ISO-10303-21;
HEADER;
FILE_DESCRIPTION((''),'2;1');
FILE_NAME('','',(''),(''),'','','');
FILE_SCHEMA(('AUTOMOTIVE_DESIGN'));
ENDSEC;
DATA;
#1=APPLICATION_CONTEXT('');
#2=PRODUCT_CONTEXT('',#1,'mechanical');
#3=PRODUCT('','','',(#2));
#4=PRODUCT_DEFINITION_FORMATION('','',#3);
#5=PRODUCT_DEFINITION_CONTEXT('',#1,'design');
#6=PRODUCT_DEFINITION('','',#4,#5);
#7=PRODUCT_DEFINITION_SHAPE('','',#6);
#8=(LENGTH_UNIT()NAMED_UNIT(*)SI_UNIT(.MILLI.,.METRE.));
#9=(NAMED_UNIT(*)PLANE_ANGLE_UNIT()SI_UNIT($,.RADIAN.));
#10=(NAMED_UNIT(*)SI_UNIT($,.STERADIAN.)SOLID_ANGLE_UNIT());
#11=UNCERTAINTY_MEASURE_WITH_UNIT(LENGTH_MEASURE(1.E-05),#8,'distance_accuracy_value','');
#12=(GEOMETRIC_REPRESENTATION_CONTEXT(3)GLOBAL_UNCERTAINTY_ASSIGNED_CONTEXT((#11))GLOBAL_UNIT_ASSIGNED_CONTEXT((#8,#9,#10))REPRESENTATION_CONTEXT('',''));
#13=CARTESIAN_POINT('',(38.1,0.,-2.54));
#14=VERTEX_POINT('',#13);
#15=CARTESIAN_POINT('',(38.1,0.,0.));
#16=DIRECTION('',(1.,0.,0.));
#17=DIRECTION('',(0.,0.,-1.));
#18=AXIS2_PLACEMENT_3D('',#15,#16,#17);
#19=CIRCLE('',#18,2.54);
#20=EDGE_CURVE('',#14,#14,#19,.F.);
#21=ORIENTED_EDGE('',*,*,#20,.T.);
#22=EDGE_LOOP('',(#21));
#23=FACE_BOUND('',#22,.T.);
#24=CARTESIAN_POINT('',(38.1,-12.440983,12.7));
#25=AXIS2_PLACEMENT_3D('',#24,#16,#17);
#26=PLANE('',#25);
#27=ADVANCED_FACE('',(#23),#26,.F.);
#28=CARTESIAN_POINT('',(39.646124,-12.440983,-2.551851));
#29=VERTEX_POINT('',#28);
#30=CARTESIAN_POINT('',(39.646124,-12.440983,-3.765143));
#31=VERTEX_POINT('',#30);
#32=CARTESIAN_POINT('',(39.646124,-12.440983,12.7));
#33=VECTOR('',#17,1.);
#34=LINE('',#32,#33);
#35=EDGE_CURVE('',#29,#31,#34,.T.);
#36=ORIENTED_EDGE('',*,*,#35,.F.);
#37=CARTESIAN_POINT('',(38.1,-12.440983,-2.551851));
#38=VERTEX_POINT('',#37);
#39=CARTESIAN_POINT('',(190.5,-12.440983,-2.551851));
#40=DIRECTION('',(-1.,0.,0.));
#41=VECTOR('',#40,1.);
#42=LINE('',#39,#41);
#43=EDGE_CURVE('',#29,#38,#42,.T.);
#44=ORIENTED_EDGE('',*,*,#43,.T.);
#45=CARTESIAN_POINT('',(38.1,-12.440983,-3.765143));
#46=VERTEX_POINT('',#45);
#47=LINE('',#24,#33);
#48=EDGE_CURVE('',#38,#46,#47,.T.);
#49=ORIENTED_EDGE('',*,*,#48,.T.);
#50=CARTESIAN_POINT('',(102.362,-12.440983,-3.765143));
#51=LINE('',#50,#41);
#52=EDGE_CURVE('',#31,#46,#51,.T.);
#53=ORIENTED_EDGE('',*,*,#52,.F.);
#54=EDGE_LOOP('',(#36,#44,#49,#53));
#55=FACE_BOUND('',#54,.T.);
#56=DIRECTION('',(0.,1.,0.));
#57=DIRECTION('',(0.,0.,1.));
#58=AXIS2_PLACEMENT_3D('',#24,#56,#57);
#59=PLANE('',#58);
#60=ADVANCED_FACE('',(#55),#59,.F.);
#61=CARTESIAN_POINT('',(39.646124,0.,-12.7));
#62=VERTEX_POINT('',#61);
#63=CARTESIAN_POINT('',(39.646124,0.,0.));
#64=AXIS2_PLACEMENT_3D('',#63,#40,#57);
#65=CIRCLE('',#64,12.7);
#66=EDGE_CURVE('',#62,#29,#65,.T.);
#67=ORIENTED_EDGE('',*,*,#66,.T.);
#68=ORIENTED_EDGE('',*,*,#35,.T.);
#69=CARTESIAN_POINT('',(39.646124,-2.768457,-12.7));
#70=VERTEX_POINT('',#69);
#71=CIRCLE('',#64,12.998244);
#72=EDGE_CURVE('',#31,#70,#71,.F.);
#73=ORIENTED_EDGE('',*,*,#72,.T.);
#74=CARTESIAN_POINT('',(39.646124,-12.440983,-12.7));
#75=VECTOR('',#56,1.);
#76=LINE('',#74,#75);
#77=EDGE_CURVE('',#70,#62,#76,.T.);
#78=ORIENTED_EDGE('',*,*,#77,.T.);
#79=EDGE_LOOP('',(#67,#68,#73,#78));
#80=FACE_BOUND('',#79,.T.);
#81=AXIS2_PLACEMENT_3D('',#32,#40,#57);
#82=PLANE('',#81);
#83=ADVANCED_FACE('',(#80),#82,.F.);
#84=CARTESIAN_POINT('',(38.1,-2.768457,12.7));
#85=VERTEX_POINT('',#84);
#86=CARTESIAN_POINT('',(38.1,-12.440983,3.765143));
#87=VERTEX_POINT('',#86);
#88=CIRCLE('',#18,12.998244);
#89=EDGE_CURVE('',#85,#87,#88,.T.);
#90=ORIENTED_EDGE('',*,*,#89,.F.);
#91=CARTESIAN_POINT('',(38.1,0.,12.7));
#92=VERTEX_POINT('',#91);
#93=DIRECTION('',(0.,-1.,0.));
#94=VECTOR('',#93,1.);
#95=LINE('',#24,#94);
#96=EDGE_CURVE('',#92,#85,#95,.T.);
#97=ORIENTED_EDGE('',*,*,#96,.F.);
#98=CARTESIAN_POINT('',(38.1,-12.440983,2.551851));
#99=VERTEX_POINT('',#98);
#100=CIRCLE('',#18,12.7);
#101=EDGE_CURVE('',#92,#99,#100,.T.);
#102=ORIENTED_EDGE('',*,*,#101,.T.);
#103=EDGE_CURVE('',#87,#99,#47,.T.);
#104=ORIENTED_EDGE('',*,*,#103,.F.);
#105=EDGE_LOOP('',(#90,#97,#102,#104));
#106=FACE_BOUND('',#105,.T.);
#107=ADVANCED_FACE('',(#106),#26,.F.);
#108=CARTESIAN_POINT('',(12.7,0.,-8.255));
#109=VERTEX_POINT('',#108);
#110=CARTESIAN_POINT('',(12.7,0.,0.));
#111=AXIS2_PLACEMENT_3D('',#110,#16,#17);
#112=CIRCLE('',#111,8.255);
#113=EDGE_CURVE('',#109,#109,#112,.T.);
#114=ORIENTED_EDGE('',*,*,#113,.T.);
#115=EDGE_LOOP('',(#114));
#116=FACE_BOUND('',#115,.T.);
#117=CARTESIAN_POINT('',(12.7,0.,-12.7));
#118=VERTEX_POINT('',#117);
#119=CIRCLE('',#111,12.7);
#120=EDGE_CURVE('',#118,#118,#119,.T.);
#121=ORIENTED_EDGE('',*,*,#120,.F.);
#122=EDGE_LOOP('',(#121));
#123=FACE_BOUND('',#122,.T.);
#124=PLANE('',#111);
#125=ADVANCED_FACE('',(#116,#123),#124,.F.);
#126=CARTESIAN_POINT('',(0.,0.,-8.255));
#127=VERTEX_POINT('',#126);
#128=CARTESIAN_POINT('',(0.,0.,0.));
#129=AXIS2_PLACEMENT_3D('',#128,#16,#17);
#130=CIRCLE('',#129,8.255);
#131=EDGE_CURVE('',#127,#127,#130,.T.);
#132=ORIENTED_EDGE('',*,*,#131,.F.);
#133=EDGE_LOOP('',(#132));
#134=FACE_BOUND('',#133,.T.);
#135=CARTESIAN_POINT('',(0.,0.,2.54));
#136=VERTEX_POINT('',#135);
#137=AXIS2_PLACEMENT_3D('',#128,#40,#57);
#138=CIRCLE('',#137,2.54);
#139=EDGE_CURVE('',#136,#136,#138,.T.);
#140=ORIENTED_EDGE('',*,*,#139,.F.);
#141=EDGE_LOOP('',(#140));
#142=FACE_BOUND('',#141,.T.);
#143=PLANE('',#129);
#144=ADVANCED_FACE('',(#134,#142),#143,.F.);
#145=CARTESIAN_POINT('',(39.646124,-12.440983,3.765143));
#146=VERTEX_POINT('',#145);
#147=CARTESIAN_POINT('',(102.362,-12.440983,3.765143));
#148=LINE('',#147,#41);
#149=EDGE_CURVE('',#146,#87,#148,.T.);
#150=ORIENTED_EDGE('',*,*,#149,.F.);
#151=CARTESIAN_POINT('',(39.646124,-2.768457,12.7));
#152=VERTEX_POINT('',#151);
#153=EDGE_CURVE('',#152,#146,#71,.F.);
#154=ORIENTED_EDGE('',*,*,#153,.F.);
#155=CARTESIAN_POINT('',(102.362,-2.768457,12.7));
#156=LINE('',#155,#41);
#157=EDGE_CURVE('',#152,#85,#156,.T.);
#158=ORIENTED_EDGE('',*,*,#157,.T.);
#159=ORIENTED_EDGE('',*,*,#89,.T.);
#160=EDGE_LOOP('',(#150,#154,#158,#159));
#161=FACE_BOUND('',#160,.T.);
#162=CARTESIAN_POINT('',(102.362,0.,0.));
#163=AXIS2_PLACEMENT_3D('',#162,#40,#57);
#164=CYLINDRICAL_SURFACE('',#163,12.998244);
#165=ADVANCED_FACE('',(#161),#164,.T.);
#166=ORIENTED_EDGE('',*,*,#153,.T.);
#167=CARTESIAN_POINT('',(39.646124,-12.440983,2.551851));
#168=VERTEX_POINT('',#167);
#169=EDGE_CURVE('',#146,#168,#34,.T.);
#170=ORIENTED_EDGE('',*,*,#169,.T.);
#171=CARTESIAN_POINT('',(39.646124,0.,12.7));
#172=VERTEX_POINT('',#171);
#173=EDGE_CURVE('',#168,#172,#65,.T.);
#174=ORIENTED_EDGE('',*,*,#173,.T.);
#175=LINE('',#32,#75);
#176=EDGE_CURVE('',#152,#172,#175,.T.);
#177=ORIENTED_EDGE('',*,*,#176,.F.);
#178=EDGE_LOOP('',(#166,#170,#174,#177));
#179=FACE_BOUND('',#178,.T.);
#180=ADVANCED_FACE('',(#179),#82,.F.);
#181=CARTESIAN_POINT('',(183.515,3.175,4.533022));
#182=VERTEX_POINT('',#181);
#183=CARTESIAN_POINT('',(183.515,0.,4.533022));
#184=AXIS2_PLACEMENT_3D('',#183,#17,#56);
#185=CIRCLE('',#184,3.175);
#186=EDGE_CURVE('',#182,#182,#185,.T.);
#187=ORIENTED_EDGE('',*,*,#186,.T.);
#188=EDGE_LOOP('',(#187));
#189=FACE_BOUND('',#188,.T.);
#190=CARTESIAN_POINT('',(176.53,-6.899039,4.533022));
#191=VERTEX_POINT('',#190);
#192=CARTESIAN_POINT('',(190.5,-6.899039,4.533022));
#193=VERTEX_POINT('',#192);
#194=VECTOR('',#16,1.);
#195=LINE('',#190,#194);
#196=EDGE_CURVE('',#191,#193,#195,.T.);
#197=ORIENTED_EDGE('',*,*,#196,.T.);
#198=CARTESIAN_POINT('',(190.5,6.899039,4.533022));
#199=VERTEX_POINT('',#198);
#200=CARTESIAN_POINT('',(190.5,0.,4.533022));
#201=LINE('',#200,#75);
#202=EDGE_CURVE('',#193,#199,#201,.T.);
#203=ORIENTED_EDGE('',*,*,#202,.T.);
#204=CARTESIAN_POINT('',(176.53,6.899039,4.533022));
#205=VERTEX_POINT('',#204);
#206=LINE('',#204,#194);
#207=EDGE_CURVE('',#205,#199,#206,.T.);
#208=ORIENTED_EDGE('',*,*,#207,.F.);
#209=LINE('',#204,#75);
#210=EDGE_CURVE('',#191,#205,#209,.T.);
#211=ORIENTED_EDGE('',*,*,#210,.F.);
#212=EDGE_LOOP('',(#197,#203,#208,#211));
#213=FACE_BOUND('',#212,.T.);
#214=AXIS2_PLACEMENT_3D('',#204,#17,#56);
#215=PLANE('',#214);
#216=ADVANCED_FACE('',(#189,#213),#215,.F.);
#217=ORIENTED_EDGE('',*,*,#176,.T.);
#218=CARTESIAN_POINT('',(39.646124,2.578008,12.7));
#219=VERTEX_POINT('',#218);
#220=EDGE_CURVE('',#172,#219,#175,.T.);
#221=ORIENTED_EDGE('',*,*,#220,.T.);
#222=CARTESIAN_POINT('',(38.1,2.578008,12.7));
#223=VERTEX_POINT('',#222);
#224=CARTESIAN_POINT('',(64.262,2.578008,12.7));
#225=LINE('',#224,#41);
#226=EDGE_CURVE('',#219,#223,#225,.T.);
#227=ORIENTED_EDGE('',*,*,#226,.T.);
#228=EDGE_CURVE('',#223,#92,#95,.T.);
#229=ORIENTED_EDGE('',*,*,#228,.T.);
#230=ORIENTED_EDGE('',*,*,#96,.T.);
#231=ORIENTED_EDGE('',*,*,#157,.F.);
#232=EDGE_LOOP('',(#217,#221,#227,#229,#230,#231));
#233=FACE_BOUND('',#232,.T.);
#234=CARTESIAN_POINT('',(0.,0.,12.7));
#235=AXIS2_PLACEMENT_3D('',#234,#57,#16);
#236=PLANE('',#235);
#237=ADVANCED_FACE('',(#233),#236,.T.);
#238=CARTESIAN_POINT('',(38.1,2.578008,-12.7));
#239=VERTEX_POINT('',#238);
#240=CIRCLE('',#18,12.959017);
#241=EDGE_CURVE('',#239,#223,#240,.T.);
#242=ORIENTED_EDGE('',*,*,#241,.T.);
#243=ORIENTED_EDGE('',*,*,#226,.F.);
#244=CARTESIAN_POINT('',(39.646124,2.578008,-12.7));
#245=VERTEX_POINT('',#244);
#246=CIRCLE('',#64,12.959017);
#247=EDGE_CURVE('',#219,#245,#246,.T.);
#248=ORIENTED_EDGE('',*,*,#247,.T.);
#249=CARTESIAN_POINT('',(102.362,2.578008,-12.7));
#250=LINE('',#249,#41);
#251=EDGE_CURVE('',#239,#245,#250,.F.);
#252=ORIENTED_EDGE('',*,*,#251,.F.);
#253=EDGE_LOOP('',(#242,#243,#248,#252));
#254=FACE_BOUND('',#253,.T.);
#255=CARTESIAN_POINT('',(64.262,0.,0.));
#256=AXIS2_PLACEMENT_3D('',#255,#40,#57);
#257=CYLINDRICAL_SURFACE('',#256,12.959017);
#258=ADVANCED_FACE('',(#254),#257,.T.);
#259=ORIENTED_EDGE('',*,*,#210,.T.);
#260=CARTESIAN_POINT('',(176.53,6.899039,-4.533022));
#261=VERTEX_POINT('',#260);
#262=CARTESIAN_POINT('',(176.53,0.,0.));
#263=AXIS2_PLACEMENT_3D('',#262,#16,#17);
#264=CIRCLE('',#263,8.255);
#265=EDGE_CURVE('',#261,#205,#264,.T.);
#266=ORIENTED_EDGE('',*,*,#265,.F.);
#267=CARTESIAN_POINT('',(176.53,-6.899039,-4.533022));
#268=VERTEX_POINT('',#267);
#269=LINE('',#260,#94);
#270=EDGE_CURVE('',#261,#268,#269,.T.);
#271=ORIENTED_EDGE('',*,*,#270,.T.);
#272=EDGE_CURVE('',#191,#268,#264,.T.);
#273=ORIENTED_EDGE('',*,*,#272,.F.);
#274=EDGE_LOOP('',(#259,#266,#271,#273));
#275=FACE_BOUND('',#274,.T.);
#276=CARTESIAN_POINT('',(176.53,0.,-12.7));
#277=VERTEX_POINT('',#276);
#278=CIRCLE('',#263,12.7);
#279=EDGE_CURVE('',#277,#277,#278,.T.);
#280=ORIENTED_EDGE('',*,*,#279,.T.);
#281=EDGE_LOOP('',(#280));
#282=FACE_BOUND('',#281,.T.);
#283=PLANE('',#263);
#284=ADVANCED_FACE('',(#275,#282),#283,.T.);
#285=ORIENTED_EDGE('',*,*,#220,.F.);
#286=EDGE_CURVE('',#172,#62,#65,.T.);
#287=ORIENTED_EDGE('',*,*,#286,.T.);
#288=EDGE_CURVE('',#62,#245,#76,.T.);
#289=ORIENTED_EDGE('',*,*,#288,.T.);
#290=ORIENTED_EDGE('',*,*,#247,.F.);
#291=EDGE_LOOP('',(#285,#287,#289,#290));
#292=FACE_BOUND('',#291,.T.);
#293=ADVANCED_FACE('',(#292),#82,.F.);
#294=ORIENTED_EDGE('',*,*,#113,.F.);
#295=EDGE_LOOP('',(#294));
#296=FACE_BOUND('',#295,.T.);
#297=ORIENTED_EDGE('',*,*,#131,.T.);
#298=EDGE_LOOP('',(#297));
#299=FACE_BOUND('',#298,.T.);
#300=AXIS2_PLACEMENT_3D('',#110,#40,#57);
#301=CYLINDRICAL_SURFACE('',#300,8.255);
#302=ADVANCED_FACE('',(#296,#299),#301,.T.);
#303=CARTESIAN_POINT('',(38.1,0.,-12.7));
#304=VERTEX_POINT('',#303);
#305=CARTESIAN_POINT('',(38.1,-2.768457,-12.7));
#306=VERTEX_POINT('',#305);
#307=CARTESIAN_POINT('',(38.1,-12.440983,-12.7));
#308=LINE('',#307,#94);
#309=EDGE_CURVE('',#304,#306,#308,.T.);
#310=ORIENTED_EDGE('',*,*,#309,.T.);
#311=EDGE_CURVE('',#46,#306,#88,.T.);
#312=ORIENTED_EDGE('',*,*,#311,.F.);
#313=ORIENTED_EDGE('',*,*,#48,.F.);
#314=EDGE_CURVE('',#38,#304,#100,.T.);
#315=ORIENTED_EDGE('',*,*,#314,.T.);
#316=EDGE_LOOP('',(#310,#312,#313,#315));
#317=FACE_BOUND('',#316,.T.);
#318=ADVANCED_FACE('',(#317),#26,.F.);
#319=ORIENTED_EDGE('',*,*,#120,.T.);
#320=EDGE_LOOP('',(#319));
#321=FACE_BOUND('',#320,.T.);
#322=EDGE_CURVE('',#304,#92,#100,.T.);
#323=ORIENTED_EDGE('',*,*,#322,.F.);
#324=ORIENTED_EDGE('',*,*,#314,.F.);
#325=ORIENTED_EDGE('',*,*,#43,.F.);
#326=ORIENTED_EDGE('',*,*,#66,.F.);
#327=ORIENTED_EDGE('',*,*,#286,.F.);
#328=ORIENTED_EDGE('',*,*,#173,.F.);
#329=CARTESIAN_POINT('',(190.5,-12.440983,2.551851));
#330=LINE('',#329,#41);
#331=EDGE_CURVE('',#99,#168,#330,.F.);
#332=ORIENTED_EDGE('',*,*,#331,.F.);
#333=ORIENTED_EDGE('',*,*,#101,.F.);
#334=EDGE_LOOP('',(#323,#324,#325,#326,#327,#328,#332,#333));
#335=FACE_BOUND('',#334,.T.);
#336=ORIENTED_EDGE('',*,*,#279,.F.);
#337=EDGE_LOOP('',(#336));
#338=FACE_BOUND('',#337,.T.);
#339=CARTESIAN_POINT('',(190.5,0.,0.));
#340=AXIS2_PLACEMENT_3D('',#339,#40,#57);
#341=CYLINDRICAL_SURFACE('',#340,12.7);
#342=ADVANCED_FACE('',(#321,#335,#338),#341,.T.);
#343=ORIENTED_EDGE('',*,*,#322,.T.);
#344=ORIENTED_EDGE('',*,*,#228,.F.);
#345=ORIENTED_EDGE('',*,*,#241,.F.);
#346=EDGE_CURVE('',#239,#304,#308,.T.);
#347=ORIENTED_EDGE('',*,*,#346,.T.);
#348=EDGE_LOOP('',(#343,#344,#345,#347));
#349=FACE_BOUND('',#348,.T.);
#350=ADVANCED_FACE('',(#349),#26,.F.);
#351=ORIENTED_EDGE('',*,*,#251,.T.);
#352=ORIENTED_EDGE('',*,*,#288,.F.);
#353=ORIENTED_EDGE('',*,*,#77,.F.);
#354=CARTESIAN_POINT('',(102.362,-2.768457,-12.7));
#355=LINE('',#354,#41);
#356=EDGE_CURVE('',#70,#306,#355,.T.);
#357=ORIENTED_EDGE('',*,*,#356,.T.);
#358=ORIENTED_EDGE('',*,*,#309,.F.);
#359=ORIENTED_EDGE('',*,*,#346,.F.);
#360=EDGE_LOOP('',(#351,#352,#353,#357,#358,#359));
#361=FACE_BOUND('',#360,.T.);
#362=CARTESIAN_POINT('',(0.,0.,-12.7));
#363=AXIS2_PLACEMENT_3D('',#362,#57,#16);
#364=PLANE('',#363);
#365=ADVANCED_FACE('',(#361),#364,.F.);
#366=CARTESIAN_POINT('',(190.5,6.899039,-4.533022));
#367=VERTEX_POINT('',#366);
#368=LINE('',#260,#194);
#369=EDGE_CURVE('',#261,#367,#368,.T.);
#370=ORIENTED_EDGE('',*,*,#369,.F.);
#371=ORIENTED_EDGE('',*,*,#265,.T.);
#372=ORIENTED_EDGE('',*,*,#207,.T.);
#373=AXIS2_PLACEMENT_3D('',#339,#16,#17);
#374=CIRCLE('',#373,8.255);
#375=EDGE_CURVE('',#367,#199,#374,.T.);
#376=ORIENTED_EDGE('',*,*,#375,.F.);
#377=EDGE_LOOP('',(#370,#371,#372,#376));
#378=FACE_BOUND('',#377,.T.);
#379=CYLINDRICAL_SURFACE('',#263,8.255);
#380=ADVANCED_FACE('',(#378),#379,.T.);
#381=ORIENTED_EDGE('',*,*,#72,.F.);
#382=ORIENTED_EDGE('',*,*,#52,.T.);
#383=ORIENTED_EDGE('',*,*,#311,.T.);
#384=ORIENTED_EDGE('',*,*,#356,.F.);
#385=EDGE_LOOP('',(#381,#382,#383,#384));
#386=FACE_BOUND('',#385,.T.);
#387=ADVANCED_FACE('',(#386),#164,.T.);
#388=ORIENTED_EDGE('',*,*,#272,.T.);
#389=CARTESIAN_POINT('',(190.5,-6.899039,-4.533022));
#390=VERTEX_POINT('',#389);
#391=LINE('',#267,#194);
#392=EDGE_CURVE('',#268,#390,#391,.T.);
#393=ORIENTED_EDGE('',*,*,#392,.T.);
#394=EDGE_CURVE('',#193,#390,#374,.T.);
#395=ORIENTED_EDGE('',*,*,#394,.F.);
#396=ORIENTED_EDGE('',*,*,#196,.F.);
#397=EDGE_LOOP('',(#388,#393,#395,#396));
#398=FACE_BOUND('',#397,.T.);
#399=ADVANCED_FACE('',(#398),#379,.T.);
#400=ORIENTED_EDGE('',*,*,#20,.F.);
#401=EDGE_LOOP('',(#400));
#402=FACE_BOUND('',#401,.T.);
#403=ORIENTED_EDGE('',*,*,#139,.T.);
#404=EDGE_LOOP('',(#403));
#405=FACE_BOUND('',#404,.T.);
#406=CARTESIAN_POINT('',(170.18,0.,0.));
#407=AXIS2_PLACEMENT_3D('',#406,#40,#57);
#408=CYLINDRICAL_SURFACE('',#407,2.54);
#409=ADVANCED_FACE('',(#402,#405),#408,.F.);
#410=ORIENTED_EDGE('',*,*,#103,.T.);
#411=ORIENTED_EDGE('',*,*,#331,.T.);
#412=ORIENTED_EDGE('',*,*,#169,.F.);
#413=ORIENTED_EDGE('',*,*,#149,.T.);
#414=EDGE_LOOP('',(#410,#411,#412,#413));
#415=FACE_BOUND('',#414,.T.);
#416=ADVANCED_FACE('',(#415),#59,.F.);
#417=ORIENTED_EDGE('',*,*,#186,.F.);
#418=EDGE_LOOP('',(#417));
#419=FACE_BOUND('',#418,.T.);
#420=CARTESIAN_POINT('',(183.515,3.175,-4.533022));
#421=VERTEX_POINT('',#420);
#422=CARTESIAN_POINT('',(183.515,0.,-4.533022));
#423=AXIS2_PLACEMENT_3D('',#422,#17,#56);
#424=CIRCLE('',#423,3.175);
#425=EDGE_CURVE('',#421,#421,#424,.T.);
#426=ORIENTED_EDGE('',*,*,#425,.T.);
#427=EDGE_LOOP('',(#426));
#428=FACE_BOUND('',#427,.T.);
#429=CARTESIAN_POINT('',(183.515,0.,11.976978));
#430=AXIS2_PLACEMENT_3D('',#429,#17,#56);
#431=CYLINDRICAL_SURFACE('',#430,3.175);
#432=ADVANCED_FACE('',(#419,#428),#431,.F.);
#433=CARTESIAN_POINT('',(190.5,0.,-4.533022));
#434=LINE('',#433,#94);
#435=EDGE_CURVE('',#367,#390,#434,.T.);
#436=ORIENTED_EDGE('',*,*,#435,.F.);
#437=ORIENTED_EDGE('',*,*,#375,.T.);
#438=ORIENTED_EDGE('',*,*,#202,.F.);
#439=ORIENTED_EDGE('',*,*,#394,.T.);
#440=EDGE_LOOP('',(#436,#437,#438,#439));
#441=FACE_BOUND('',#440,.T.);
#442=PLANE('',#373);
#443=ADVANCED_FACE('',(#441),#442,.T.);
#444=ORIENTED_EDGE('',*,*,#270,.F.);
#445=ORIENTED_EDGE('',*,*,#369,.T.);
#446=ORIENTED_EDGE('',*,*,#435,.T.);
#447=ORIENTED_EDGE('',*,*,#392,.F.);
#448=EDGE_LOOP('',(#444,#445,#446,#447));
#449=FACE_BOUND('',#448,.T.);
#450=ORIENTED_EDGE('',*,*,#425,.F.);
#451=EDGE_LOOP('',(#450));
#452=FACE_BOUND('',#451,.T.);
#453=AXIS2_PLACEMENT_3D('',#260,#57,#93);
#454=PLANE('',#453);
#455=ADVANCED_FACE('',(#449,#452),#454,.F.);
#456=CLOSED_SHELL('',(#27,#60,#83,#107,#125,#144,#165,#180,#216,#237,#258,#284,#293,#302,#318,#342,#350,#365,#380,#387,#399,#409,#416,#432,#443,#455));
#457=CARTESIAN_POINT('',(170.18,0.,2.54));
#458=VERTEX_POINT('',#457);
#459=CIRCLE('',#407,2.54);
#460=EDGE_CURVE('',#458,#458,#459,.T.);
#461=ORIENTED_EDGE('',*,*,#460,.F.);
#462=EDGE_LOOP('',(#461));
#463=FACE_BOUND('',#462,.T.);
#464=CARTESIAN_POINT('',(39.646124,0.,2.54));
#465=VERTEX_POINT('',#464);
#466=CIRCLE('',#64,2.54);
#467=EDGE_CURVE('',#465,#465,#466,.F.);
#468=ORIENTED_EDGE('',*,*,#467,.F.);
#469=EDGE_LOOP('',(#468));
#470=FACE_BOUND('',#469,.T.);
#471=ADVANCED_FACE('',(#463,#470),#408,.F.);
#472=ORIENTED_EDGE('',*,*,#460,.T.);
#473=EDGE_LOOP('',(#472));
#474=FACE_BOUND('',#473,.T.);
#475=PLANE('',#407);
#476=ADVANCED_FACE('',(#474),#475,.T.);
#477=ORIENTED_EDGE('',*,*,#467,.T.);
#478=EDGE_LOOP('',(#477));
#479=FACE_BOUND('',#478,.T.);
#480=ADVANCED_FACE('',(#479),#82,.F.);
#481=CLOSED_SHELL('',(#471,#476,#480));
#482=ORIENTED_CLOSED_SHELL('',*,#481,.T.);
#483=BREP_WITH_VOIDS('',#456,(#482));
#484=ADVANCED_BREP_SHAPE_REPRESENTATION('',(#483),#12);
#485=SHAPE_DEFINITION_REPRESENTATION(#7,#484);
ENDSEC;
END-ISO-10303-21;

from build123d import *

# Parameters (mm, degrees)
CROQUIS2_R                   = 12.7
SALIENTE_EXTRUIR1_DEPTH      = 190.5
CROQUIS3_R                   = 12.7
CROQUIS3_R_2                 = 8.255
CORTAR_EXTRUIR1_DEPTH        = 12.7
CROQUIS4_R                   = 2.54
CORTAR_EXTRUIR2_DEPTH        = 170.18
CROQUIS6_R                   = 12.7
CROQUIS6_R_2                 = 8.255
CORTAR_EXTRUIR6_DEPTH        = 16.51
CORTAR_EXTRUIR8_DEPTH        = 16.51
CROQUIS9_R                   = 3.175
CORTAR_EXTRUIR9_DEPTH        = 16.51
CROQUIS10_W                  = 1.546124295
CROQUIS10_H                  = 25.4
SALIENTE_EXTRUIR2_DEPTH      = 12.7
SALIENTE_EXTRUIR2_DEPTH_BACK = 12.7
CORTAR_EXTRUIR10_DEPTH       = 64.262
CORTAR_EXTRUIR11_DEPTH       = 64.262
CORTAR_EXTRUIR12_DEPTH       = 64.262


with BuildPart() as part:
    # Croquis2 → Saliente-Extruir1 (new body)
    with BuildSketch(Plane(origin=(0, 0, 0), x_dir=(0, 0, -1), z_dir=(1, 0, 0))):
        Circle(CROQUIS2_R)
    extrude(amount=SALIENTE_EXTRUIR1_DEPTH)

    # Croquis3 → Cortar-Extruir1 (cut)
    with BuildSketch(Plane(origin=(0, 0, 0), x_dir=(0, 0, -1), z_dir=(1, 0, 0))):
        Circle(CROQUIS3_R)
        Circle(CROQUIS3_R_2, mode=Mode.SUBTRACT)
    extrude(amount=CORTAR_EXTRUIR1_DEPTH, mode=Mode.SUBTRACT)

    # Croquis4 → Cortar-Extruir2 (cut)
    with BuildSketch(Plane.ZY):
        Circle(CROQUIS4_R)
    extrude(amount=-CORTAR_EXTRUIR2_DEPTH, mode=Mode.SUBTRACT)

    # Croquis6 → Cortar-Extruir6 (cut)
    with BuildSketch(Plane(origin=(193.04, 0, 0), x_dir=(0, 0, -1), z_dir=(1, 0, 0))):
        Circle(CROQUIS6_R)
        Circle(CROQUIS6_R_2, mode=Mode.SUBTRACT)
    extrude(amount=-CORTAR_EXTRUIR6_DEPTH, mode=Mode.SUBTRACT)

    # Croquis8 → Cortar-Extruir8 (cut)
    with BuildSketch(Plane(origin=(193.04, 0, 0), x_dir=(0, 0, -1), z_dir=(1, 0, 0))):
        with BuildLine():
            Line((-4.533022208, 6.899038677), (-4.533022208, -6.899038677))
            ThreePointArc((-4.533022208, -6.899038677), (-8.255, 0), (-4.533022208, 6.899038677))
        make_face()
        with BuildLine():
            Line((4.533022208, 6.899038677), (4.533022208, -6.899038677))
            ThreePointArc((4.533022208, -6.899038677), (8.255, 0), (4.533022208, 6.899038677))
        make_face()
    extrude(amount=-CORTAR_EXTRUIR8_DEPTH, mode=Mode.SUBTRACT)

    # Croquis9 → Cortar-Extruir9 (cut)
    with BuildSketch(Plane(origin=(0, 0, -4.533022208), x_dir=(-1, 0, 0), z_dir=(0, 0, -1))):
        with Locations((-183.515, 0)):
            Circle(CROQUIS9_R)
    extrude(amount=-CORTAR_EXTRUIR9_DEPTH, mode=Mode.SUBTRACT)

    # Croquis10 → Saliente-Extruir2 (add, two sides)
    with BuildSketch(Plane.XY) as saliente_extruir2_sk:
        with Locations((38.873062148, 0.259017105)):
            Rectangle(CROQUIS10_W, CROQUIS10_H)
    extrude(amount=SALIENTE_EXTRUIR2_DEPTH)
    extrude(saliente_extruir2_sk.sketch, amount=-SALIENTE_EXTRUIR2_DEPTH_BACK)

    # Croquis12 → Cortar-Extruir10 (cut)
    with BuildSketch(Plane(origin=(0, 0, 0), x_dir=(0, 0, -1), z_dir=(1, 0, 0))):
        with BuildLine():
            Line((0, 12.959017105), (-12.7, 12.959017105))
            Line((-12.7, 12.959017105), (-12.7, 2.578007822))
            ThreePointArc((-12.7, 2.578007822), (-8.201453434, 10.033557988), (0, 12.959017105))
        make_face()
    extrude(amount=CORTAR_EXTRUIR10_DEPTH, mode=Mode.SUBTRACT)

    # Croquis13 → Cortar-Extruir11 (cut)
    with BuildSketch(Plane.ZY.offset(-38.1)):
        with BuildLine():
            Line((-12.7, 2.578007822), (-12.7, 12.959017105))
            Line((-12.7, 12.959017105), (0, 12.959017105))
            ThreePointArc((0, 12.959017105), (-8.201453434, 10.033557988), (-12.7, 2.578007822))
        make_face()
    extrude(amount=-CORTAR_EXTRUIR11_DEPTH, mode=Mode.SUBTRACT)

    # Croquis14 → Cortar-Extruir12 (cut)
    with BuildSketch(Plane.ZY.offset(-38.1)):
        with BuildLine():
            Line((12.7, -2.768457402), (12.7, -12.440982895))
            Line((12.7, -12.440982895), (3.765142892, -12.440982895))
            ThreePointArc((3.765142892, -12.440982895), (9.548019164, -8.819846168), (12.7, -2.768457402))
        make_face()
        with BuildLine():
            Line((-12.769462216, -2.428001465), (-12.7, -12.440982895))
            Line((-12.7, -12.440982895), (-3.765142892, -12.440982895))
            ThreePointArc((-3.765142892, -12.440982895), (-9.66505255, -8.691439213), (-12.769462216, -2.428001465))
        make_face()
    extrude(amount=-CORTAR_EXTRUIR12_DEPTH, mode=Mode.SUBTRACT)


solid = part.part
